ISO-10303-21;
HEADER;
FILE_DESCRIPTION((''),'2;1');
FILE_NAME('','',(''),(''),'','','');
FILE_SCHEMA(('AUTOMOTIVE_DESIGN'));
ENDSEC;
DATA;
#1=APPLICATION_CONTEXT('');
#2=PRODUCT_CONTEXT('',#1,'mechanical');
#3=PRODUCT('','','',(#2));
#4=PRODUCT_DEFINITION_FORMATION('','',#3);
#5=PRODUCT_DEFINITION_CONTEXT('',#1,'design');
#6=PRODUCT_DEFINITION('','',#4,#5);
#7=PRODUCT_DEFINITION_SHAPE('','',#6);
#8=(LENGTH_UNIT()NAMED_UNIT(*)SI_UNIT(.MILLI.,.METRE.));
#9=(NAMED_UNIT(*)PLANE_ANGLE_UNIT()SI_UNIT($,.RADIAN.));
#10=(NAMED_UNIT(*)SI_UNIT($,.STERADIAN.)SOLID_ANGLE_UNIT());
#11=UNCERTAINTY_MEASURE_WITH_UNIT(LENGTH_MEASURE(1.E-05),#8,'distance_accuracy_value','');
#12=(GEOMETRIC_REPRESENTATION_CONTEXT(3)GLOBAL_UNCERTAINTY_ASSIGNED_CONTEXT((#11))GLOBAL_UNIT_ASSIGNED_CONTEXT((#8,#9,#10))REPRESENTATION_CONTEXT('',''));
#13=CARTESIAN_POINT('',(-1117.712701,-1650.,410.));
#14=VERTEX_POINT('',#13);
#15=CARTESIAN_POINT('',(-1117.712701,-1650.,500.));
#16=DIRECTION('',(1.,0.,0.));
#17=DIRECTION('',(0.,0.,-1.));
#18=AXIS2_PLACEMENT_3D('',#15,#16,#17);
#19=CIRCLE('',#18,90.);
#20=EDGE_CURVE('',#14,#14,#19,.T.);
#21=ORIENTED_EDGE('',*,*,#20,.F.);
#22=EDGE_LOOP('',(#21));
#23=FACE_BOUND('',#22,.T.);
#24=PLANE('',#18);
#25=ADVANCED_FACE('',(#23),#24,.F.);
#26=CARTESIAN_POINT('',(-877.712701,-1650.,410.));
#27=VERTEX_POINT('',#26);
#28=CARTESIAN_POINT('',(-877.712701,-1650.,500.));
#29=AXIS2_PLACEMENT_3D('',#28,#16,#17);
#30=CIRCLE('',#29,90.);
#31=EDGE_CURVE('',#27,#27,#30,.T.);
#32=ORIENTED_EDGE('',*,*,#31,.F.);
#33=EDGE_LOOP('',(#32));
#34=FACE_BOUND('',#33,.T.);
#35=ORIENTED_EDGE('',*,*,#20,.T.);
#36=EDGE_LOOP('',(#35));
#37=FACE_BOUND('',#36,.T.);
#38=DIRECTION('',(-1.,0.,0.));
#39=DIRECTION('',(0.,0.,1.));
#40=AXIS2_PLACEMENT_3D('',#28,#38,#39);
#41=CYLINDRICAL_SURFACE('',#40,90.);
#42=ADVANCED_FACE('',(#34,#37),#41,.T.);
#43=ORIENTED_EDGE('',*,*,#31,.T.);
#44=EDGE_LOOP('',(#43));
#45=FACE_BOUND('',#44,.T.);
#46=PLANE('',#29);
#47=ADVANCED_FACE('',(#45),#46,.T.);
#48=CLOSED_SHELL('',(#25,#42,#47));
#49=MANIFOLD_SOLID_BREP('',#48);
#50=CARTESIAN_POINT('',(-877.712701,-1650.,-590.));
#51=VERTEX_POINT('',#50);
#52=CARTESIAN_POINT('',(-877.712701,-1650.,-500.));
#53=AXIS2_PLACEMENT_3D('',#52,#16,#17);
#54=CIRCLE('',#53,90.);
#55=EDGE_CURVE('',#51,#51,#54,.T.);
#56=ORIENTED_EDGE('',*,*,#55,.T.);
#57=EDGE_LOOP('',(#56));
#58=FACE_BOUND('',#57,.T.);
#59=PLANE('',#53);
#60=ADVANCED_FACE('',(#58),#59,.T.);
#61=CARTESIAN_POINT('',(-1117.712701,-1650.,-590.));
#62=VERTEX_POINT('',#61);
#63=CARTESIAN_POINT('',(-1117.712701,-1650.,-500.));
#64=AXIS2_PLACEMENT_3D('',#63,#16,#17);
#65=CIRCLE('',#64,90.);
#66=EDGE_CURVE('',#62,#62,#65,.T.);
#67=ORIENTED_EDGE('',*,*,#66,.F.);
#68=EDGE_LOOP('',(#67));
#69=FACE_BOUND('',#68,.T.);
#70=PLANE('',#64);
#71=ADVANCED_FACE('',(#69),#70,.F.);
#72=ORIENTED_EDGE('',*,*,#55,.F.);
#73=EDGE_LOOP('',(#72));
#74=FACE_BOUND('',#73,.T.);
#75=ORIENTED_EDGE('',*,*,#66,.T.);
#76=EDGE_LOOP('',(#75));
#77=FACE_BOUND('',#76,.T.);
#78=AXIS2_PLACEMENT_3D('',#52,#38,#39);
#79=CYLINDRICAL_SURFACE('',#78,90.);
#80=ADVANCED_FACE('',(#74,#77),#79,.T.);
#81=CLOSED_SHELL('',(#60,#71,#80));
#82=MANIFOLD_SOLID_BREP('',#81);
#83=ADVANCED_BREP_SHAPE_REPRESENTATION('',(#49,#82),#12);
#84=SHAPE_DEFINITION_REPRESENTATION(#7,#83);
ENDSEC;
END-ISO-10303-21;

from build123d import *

# Parameters (mm, degrees)
BOSS_EXTRUDE1_START = -1117.712701274
SKETCH1_R           = 90
BOSS_EXTRUDE1_DEPTH = 240
BOSS_EXTRUDE2_START = -1117.712701274
SKETCH2_R           = 90
BOSS_EXTRUDE2_DEPTH = 240


with BuildPart() as part:
    # Sketch1 → Boss-Extrude1 (new body)
    with BuildSketch(Plane(origin=(0, 0, 0), x_dir=(0, 0, -1), z_dir=(1, 0, 0)).offset(BOSS_EXTRUDE1_START)):
        with Locations((500, -1650)):
            Circle(SKETCH1_R)
    extrude(amount=BOSS_EXTRUDE1_DEPTH)


with BuildPart() as body_2:
    # Sketch2 → Boss-Extrude2 (new body)
    with BuildSketch(Plane(origin=(0, 0, 0), x_dir=(0, 0, -1), z_dir=(1, 0, 0)).offset(BOSS_EXTRUDE2_START)):
        with Locations((-500, -1650)):
            Circle(SKETCH2_R)
    extrude(amount=BOSS_EXTRUDE2_DEPTH)


solid = Compound([part.part, body_2.part])
